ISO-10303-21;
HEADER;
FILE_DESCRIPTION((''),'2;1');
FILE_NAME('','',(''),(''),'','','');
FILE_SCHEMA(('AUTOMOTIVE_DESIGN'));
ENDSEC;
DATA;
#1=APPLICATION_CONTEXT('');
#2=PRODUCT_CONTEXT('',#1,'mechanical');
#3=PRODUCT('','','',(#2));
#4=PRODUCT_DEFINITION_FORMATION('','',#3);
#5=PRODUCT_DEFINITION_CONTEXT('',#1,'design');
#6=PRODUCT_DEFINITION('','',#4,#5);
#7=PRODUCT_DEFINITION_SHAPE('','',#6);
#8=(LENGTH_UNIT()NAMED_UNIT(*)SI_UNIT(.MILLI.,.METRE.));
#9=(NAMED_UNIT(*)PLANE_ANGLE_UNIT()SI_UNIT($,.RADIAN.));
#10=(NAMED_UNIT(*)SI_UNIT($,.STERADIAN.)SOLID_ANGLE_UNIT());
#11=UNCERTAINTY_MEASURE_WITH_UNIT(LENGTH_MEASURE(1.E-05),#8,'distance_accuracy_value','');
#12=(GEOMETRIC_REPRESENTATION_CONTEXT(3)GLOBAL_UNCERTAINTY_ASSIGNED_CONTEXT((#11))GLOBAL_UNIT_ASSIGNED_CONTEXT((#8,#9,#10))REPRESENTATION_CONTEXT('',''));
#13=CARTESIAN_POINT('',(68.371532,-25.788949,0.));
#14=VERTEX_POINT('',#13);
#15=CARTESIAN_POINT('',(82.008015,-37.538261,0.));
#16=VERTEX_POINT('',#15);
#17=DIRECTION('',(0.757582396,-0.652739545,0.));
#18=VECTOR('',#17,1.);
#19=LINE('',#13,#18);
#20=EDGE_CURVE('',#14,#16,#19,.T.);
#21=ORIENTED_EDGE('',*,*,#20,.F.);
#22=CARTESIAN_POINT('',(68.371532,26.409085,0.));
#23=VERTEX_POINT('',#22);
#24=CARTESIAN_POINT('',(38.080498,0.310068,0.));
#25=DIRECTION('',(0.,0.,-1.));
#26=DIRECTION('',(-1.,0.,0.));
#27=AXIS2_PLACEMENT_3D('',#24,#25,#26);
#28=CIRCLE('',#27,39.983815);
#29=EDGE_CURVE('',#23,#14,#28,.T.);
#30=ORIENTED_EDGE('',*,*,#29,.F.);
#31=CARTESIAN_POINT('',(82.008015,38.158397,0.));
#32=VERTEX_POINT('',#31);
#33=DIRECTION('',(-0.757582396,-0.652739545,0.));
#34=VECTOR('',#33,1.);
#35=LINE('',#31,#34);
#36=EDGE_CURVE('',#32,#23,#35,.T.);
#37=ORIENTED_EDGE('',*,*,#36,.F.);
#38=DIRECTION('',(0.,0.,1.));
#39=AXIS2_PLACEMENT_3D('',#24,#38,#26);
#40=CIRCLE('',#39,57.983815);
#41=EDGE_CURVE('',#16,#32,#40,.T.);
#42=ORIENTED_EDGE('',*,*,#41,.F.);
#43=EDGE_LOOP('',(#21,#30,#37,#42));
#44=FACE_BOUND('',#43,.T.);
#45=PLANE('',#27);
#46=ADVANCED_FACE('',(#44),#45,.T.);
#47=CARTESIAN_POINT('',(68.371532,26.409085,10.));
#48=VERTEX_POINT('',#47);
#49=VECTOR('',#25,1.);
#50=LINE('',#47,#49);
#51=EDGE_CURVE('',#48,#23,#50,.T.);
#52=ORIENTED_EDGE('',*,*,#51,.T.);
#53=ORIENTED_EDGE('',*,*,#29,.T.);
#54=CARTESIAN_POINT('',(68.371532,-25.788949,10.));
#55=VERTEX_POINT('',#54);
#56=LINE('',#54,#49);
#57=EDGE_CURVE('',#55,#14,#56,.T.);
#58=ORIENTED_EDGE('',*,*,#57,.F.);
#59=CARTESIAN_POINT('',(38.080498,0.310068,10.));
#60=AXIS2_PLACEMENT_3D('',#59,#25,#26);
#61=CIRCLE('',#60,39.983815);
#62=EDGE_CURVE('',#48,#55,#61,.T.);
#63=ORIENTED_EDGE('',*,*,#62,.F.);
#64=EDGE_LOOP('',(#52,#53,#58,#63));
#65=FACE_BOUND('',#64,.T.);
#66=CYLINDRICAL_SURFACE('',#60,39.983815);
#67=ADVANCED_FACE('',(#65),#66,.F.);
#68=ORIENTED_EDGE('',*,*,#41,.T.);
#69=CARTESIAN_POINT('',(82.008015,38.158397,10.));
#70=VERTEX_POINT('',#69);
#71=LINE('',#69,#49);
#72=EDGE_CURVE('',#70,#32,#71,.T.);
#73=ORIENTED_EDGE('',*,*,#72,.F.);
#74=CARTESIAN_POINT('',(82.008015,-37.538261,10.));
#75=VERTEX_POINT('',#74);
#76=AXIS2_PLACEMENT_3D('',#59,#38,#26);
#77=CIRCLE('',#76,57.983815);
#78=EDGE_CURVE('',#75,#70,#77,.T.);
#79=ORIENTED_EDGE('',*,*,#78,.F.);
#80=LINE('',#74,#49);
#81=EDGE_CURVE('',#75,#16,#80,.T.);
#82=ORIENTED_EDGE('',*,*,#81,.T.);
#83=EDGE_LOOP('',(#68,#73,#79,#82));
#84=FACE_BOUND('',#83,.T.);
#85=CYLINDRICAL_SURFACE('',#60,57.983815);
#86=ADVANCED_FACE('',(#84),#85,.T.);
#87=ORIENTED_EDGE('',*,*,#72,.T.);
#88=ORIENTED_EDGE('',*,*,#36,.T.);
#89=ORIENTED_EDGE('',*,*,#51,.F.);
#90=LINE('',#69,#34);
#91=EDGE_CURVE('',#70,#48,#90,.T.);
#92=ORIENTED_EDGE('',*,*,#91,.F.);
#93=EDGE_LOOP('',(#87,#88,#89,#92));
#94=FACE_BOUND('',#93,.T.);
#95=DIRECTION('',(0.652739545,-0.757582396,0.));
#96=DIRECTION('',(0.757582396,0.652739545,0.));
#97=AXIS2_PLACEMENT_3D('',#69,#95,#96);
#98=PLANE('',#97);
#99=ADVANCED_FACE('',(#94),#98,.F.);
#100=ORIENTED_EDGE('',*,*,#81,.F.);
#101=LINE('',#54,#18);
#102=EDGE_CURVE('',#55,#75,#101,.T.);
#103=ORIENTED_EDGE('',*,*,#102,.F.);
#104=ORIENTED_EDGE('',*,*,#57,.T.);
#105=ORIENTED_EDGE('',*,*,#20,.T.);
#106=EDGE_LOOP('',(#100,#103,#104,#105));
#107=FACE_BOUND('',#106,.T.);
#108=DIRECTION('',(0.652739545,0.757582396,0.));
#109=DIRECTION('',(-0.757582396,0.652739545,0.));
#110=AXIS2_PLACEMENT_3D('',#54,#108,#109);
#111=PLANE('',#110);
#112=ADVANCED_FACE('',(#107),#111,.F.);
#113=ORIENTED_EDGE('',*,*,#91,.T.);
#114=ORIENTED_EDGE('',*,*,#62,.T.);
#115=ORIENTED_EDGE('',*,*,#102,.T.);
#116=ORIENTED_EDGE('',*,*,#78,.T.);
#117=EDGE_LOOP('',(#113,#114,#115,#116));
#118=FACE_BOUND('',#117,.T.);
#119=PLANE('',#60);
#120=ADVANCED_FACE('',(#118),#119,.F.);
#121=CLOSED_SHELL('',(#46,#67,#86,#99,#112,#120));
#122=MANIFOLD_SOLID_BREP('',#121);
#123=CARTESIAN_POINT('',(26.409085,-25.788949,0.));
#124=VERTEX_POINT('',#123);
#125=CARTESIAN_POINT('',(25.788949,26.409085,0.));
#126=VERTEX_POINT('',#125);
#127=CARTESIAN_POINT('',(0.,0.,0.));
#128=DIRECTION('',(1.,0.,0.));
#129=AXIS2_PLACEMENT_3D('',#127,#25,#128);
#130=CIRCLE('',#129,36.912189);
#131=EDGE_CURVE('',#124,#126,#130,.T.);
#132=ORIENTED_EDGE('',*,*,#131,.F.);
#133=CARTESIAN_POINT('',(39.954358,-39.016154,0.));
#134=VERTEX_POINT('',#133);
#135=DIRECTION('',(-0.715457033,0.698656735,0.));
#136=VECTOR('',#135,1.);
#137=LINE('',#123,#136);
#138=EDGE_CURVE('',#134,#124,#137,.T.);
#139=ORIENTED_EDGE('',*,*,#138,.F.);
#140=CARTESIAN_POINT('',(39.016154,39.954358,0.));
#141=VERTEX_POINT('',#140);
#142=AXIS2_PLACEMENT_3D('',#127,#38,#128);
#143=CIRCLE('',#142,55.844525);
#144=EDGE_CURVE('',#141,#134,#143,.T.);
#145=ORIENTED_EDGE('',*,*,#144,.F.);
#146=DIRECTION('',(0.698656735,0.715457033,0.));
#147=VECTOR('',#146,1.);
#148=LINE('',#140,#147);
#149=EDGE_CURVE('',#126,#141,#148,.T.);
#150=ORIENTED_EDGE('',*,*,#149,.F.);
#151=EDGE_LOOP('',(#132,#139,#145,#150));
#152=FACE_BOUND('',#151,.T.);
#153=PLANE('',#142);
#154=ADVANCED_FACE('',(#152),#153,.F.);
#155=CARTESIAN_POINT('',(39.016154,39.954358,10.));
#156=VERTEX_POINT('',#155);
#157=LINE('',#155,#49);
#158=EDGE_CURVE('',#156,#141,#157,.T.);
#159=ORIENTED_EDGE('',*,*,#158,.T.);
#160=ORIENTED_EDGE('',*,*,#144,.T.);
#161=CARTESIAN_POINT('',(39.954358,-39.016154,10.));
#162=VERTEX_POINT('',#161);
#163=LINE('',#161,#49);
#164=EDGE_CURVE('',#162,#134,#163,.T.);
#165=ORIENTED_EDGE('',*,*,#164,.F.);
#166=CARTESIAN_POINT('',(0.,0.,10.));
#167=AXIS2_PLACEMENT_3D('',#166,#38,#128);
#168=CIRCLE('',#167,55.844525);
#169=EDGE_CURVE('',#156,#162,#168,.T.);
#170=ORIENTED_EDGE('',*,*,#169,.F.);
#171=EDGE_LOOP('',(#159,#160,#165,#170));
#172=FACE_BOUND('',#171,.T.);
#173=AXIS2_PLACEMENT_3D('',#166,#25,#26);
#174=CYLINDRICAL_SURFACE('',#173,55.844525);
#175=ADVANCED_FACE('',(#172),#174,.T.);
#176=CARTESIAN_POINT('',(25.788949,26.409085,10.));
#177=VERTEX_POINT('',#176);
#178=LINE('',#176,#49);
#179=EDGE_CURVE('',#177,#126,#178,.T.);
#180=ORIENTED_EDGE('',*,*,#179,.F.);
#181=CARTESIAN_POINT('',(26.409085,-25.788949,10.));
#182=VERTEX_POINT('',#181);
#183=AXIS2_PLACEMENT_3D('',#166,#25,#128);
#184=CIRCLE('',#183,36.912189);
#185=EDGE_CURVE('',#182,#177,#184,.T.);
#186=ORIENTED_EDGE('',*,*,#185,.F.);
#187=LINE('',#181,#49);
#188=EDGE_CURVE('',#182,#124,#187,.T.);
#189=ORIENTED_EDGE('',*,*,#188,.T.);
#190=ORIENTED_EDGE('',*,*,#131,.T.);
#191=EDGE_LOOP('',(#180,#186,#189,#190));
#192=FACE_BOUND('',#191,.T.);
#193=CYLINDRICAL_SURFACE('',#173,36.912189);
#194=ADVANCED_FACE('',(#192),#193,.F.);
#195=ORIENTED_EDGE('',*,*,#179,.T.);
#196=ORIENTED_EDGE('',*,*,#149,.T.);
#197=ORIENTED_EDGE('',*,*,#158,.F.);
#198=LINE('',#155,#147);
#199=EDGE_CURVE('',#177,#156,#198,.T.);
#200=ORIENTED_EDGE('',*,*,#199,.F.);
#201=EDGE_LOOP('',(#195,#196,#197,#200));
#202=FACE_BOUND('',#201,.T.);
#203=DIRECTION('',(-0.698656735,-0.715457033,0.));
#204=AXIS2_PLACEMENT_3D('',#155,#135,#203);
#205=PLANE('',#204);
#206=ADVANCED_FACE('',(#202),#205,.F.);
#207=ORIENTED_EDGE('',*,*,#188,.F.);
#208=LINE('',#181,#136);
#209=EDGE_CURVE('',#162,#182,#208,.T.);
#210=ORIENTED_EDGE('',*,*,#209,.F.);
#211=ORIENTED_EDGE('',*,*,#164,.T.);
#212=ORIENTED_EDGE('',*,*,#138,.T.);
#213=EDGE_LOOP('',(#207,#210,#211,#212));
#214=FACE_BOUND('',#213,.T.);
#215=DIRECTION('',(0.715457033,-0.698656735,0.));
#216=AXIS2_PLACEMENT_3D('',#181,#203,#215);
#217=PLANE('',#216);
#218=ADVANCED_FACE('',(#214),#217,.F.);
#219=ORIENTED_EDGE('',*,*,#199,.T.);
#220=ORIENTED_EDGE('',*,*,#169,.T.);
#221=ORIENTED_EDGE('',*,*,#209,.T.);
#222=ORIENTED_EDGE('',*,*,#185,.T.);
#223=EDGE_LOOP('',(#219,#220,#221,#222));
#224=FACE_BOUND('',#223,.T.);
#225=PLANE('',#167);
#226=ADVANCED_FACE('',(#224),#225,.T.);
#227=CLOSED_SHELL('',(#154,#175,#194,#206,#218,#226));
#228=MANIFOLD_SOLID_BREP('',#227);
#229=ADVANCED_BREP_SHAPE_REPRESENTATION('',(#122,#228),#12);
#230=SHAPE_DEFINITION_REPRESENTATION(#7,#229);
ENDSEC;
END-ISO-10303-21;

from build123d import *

# Parameters (mm, degrees)
BOSS_EXTRU_1_DEPTH   = 10
BOSS_EXTRU_1_2_DEPTH = 10


with BuildPart() as part:
    # Esquisse1 → Boss.-Extru.1 (new body)
    with BuildSketch(Plane.XY):
        with BuildLine():
            Line((39.01615362, 39.95435827), (25.788949124, 26.409084882))
            ThreePointArc((25.788949124, 26.409084882), (-36.90958381, -0.438502199), (26.409084882, -25.788949124))
            Line((26.409084882, -25.788949124), (39.95435827, -39.01615362))
            ThreePointArc((39.95435827, -39.01615362), (-55.840584471, -0.66341087), (39.01615362, 39.95435827))
        make_face()
    extrude(amount=BOSS_EXTRU_1_DEPTH)


with BuildPart() as body_2:
    # Esquisse1 → Boss.-Extru.1 2 (new body)
    with BuildSketch(Plane.XY):
        with BuildLine():
            Line((82.008015058, 38.158396684), (68.371531927, 26.409084882))
            ThreePointArc((68.371531927, 26.409084882), (78.064312482, 0.310067879), (68.371531927, -25.788949124))
            Line((68.371531927, -25.788949124), (82.008015058, -37.538260927))
            ThreePointArc((82.008015058, -37.538260927), (96.064312482, 0.310067879), (82.008015058, 38.158396684))
        make_face()
    extrude(amount=BOSS_EXTRU_1_2_DEPTH)


solid = Compound([part.part, body_2.part])
